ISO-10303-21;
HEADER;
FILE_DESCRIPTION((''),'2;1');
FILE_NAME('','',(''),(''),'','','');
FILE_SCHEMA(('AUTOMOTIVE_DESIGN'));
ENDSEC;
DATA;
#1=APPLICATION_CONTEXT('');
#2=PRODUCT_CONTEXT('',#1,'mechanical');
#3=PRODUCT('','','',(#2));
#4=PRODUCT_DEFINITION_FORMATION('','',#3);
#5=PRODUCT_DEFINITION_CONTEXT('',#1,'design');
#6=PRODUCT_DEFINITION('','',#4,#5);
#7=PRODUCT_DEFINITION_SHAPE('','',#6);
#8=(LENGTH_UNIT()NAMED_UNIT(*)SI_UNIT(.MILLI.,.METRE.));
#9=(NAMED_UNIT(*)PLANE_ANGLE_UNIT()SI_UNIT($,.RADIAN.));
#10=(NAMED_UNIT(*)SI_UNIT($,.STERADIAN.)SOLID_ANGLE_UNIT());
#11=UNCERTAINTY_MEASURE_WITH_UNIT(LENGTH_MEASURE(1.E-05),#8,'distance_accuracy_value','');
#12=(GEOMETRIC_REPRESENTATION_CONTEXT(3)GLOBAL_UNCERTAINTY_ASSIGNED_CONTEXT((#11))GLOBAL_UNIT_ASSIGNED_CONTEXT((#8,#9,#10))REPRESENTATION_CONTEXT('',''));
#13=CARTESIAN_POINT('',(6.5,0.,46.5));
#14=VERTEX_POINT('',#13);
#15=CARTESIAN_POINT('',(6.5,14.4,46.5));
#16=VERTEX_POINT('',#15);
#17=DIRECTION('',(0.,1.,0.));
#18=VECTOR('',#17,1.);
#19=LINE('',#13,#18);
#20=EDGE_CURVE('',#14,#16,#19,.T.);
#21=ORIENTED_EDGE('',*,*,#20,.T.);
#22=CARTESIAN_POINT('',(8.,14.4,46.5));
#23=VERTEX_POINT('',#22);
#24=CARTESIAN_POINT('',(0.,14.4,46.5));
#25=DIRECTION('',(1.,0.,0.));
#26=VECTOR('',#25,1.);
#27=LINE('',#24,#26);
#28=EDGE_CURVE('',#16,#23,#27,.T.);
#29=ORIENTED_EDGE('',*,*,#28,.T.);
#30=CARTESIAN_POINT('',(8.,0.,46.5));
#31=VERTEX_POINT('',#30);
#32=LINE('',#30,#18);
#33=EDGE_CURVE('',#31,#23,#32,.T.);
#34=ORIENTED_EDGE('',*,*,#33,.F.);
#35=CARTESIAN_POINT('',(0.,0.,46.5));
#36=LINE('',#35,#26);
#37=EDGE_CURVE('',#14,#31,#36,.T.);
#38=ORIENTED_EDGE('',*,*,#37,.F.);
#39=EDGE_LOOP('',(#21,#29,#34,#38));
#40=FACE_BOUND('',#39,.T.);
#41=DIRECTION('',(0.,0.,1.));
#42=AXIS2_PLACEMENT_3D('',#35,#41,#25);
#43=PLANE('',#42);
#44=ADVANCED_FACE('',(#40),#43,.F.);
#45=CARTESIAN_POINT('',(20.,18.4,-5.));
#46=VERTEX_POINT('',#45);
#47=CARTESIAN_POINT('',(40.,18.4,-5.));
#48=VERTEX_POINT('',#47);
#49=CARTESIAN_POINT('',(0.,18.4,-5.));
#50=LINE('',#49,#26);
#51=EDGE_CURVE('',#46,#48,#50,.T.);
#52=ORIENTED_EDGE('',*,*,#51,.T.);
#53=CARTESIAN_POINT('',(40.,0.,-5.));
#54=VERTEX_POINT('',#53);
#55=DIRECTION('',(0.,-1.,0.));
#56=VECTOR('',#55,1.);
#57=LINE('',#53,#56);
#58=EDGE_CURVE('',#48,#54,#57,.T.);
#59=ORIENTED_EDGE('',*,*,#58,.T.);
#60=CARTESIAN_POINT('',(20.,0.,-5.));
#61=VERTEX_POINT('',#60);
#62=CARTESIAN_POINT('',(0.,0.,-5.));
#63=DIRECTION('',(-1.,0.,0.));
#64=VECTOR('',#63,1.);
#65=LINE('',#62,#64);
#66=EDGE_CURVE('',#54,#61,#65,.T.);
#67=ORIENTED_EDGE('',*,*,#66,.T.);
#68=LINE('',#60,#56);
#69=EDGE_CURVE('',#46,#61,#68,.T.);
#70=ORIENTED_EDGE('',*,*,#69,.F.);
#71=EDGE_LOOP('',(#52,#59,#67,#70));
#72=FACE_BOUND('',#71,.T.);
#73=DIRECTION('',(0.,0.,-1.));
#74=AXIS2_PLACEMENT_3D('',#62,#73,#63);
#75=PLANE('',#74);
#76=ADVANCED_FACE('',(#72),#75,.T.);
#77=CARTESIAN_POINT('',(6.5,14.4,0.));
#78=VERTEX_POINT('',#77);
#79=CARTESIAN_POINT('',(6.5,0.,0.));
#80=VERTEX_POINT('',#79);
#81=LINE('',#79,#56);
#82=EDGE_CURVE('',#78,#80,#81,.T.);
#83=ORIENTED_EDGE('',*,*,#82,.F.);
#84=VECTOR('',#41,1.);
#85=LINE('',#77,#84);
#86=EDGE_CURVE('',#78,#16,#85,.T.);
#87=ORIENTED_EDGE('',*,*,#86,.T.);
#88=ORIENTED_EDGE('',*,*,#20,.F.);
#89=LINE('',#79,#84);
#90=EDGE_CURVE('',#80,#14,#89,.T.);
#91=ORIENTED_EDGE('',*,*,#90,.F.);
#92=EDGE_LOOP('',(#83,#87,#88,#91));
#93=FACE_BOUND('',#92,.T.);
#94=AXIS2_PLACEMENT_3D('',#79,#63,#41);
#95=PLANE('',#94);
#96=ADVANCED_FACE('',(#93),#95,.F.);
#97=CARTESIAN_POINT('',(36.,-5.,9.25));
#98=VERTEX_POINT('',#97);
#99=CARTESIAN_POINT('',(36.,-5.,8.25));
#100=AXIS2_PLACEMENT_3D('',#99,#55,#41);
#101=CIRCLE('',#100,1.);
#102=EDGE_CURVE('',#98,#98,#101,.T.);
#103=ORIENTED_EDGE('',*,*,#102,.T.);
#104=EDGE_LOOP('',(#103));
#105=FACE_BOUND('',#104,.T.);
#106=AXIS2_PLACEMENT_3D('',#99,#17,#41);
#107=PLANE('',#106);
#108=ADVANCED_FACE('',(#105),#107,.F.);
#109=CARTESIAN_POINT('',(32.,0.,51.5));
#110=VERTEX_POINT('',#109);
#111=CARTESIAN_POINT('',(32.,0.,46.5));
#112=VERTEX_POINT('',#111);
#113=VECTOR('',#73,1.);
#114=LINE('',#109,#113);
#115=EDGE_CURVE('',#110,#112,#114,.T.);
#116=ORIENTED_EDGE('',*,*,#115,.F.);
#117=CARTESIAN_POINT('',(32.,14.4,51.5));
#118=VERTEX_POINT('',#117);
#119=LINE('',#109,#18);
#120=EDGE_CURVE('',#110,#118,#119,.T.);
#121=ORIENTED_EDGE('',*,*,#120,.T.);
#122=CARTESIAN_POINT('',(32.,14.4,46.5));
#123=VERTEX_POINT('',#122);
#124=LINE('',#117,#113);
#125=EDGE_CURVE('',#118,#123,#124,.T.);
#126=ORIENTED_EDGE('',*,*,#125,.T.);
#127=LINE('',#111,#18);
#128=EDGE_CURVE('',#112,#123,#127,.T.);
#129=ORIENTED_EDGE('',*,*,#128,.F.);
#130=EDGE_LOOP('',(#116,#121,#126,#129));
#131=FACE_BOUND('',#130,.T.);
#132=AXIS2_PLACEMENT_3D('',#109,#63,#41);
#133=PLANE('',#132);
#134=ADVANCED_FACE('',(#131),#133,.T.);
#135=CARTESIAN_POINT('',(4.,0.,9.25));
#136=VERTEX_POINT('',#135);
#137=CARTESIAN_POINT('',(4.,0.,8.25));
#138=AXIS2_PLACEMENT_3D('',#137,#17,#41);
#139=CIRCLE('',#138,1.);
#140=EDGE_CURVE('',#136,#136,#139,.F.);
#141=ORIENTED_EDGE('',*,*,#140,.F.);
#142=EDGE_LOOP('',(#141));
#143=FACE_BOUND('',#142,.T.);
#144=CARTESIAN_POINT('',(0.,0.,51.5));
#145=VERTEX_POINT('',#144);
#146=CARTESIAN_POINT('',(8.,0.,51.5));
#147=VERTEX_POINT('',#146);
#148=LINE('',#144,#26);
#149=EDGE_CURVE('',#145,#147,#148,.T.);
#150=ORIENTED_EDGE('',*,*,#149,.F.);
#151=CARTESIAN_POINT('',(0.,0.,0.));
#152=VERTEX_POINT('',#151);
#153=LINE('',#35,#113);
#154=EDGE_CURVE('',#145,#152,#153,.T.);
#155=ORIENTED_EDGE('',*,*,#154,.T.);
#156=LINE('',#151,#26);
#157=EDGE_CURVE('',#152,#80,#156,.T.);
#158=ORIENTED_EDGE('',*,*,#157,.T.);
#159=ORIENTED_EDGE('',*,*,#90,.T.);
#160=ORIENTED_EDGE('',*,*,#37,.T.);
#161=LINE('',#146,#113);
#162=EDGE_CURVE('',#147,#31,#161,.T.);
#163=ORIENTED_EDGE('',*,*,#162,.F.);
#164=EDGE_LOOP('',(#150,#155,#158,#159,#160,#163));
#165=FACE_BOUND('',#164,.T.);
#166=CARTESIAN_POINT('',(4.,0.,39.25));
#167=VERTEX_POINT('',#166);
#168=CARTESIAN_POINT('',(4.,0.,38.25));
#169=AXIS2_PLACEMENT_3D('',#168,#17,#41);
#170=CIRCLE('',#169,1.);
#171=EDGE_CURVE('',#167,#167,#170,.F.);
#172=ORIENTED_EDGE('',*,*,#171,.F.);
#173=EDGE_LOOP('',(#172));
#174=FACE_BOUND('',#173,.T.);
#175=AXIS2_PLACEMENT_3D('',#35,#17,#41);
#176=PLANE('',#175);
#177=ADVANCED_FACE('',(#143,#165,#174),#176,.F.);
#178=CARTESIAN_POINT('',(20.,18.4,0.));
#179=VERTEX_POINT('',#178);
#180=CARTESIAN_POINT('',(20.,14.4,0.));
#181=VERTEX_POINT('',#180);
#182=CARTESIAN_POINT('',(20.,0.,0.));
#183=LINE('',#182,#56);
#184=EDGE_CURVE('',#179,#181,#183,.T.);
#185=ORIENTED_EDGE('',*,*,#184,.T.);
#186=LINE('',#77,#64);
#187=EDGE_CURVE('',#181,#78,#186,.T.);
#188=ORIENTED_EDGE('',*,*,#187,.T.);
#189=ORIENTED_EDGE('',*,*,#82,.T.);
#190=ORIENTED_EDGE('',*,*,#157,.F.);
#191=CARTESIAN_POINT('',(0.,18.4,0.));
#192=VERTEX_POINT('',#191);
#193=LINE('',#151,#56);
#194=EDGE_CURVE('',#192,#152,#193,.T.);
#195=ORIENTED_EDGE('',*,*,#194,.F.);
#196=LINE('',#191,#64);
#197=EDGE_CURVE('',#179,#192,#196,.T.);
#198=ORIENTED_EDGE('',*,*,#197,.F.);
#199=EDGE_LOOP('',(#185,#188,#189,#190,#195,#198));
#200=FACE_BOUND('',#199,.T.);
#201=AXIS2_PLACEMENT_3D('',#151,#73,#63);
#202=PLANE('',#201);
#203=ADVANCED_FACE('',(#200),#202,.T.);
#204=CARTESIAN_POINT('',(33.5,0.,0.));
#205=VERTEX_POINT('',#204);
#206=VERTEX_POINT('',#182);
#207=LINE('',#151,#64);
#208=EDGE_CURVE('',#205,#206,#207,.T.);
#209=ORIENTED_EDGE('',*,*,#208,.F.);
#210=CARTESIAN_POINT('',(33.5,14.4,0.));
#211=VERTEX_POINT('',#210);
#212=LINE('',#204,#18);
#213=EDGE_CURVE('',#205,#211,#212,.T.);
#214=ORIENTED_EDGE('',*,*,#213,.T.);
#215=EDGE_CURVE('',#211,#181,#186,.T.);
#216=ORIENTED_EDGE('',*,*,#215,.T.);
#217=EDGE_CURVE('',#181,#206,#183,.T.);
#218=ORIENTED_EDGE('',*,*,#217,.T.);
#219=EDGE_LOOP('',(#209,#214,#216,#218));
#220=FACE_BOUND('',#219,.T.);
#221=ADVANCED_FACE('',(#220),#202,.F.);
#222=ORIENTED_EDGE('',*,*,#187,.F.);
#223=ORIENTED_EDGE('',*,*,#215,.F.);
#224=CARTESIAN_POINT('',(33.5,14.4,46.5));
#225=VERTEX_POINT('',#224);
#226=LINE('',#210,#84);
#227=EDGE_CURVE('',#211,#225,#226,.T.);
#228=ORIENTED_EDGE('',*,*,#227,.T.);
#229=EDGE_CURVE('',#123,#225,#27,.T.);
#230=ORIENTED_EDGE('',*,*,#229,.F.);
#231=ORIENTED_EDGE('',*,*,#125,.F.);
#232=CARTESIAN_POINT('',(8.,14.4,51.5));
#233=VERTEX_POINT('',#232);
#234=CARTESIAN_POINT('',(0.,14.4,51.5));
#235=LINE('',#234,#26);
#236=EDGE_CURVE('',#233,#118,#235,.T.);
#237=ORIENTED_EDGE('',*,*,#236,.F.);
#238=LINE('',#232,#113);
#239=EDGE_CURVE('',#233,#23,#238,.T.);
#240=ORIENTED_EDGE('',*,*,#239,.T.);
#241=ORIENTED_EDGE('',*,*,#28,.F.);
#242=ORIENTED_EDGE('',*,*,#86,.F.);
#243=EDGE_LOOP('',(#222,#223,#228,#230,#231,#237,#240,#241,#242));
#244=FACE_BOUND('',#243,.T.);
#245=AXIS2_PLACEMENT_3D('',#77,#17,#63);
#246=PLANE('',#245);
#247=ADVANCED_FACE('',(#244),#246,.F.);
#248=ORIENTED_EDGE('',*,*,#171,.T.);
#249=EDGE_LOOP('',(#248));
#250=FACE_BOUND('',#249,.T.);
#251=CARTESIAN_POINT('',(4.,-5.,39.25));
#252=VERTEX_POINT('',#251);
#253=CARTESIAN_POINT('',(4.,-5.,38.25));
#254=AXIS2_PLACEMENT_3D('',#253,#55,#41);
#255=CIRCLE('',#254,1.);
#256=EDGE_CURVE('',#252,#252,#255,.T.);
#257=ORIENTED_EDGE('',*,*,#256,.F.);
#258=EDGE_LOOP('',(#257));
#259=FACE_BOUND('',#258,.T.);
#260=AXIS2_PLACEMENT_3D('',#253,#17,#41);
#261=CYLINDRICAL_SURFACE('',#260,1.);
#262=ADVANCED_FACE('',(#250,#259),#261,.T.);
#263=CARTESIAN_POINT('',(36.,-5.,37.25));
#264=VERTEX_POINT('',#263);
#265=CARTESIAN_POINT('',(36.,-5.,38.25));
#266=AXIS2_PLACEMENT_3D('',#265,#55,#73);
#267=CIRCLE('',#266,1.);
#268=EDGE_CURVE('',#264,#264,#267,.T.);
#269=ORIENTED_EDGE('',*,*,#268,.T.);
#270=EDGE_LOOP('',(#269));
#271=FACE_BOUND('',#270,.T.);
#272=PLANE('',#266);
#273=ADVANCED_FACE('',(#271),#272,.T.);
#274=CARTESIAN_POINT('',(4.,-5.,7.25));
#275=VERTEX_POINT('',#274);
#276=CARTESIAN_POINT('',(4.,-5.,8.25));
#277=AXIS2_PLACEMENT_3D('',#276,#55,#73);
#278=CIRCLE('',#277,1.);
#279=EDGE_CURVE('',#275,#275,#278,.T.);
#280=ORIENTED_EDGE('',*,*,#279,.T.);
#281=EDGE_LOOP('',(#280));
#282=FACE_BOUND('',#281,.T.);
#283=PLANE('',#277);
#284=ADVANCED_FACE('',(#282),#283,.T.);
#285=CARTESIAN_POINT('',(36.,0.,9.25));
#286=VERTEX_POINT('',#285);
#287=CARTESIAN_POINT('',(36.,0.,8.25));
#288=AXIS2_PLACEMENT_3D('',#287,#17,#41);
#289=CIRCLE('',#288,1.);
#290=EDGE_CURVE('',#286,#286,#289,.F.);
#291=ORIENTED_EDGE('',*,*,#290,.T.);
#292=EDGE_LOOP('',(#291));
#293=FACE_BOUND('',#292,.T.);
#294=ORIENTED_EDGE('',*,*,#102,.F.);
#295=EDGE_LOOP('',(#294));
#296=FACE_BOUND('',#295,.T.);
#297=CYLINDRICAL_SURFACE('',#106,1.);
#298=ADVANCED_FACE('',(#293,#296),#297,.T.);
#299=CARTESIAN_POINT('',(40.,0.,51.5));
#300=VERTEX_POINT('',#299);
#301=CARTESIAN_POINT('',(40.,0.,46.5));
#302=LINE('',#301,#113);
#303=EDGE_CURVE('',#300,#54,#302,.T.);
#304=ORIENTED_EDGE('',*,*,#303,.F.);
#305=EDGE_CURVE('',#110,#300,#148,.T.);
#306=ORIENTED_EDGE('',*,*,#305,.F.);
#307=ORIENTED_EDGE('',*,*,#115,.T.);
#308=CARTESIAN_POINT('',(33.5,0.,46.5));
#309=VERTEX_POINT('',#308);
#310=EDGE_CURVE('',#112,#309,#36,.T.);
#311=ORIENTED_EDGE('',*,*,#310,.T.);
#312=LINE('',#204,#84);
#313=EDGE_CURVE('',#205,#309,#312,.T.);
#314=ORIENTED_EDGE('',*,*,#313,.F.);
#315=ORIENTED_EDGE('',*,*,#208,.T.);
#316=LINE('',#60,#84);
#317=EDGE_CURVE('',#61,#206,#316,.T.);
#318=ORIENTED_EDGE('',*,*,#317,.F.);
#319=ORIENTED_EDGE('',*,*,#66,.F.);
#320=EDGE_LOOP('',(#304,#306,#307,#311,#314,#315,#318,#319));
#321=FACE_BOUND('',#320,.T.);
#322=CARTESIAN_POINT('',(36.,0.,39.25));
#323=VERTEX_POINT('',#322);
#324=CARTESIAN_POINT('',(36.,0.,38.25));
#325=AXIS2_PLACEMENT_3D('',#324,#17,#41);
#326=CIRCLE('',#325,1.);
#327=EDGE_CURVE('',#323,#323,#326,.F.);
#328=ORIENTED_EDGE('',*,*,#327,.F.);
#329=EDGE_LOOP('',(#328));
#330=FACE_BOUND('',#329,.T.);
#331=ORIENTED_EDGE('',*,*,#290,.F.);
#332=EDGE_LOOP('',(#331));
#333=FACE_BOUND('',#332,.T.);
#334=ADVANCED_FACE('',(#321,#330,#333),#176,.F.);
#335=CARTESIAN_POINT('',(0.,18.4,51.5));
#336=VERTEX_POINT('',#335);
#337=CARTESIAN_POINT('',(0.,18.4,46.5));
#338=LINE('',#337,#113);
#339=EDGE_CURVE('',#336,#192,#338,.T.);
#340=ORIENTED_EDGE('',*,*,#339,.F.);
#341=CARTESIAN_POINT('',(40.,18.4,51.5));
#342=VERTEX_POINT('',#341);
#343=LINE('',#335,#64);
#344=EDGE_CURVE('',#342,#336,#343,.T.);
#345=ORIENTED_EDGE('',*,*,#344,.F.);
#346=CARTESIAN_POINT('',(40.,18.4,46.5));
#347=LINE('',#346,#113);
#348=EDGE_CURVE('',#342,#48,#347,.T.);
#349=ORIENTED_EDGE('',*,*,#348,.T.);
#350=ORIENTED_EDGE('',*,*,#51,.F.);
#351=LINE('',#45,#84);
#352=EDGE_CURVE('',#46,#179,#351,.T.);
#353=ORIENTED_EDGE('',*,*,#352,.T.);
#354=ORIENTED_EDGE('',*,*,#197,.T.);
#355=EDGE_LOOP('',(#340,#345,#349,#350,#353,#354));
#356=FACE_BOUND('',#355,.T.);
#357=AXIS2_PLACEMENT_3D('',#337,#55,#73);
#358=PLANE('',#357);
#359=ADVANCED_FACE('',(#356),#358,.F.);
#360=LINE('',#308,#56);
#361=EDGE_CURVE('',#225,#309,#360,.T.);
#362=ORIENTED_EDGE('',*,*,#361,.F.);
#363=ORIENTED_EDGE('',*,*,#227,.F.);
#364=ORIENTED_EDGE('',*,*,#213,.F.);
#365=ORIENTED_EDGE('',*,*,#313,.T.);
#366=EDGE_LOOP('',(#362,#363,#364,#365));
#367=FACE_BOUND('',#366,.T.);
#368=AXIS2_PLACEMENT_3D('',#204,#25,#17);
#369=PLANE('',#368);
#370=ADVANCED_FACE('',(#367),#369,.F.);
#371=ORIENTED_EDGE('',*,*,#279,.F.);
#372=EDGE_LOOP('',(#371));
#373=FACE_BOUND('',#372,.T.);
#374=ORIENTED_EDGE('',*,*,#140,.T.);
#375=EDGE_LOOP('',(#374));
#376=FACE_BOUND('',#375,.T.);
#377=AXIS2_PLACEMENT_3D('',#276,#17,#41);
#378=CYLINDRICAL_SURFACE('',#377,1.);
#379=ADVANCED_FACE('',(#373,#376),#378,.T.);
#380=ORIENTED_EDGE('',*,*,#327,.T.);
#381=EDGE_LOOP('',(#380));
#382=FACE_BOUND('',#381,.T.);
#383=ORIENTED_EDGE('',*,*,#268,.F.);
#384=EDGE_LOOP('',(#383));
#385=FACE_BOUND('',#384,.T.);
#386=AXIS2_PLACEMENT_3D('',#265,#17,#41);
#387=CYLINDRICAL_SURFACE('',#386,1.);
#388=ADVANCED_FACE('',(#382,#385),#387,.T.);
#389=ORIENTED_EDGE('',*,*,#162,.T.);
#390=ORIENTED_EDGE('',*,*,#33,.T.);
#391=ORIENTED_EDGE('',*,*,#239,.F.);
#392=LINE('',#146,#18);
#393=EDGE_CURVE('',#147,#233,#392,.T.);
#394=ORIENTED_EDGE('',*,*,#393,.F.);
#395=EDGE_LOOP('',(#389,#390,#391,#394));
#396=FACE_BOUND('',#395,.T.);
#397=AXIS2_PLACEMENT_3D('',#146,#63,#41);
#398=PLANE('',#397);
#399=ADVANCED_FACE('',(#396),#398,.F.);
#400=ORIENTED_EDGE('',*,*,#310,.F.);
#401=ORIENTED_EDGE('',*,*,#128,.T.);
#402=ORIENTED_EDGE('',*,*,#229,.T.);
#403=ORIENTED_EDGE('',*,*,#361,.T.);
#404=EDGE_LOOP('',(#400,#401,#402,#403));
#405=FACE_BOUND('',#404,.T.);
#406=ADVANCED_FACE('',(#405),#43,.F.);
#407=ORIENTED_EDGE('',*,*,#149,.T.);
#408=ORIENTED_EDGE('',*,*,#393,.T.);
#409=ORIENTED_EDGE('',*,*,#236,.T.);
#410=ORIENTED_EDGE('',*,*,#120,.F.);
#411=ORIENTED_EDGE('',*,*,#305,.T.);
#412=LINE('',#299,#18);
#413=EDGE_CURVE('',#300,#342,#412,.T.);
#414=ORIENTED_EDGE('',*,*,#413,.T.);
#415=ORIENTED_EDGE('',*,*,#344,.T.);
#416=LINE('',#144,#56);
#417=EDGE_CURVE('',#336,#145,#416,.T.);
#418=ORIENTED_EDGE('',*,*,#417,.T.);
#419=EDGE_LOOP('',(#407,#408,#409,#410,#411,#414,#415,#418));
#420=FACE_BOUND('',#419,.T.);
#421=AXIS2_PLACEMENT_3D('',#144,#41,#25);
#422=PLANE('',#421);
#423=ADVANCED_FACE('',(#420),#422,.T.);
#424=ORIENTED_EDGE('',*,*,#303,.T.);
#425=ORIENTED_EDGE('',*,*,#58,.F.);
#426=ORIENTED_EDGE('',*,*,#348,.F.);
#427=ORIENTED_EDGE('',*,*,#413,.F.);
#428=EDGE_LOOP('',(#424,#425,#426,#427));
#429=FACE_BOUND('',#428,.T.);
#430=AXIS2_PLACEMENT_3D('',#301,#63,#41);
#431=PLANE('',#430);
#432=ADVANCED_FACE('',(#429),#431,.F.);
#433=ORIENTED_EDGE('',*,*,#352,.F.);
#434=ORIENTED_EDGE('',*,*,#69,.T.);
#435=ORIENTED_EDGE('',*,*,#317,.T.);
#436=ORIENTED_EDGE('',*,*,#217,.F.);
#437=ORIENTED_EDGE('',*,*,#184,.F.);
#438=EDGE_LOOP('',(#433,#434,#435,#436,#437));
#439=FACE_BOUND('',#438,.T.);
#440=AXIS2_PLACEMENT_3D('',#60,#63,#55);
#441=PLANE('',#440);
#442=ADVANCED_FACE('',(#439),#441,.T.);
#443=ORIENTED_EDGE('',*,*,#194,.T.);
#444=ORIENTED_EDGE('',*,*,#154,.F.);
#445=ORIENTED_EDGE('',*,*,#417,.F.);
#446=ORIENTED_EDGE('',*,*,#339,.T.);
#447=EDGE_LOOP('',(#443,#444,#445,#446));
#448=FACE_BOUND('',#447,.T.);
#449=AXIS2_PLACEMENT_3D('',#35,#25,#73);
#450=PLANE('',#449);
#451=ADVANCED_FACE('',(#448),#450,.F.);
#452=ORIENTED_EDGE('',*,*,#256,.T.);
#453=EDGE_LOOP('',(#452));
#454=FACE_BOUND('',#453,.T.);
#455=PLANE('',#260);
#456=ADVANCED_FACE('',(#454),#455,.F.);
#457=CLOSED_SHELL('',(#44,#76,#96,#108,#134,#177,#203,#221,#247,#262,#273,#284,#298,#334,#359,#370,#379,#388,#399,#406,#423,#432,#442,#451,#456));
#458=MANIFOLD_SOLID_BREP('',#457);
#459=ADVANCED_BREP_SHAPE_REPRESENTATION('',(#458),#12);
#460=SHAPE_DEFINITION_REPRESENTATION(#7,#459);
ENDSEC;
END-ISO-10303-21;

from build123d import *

# Parameters (mm, degrees)
SKETCH_1_W               = 40
SKETCH_1_H               = 18.4
EXTRUDE_1_DEPTH          = 46.5
CUT_EXTRUDE_1_DEPTH      = 65.037567099
CUT_EXTRUDE_1_DEPTH_BACK = 65.037567099
SKETCH_2_W               = 27
SKETCH_2_H               = 14.4
SKETCH_3_W               = 1.5
SKETCH_3_H               = 14.4
EXTRUDE_2_DEPTH          = 5
SKETCH_4_W               = 13.5
SKETCH_4_H               = 14.4
EXTRUDE_3_DEPTH          = 5
SKETCH_6_R               = 1
EXTRUDE_4_DEPTH          = 5


with BuildPart() as part:
    # 스케치1 → 보스-돌출1 (new body)
    with BuildSketch(Plane.XY):
        with Locations((20, 9.2)):
            Rectangle(SKETCH_1_W, SKETCH_1_H)
    extrude(amount=EXTRUDE_1_DEPTH)

    # 스케치2 → 컷-돌출1 (cut, two sides: drawn at the far end of the back side and taken through both)
    with BuildSketch(Plane.XY.offset(46.5).offset(-CUT_EXTRUDE_1_DEPTH_BACK)):
        with Locations((20, 7.2)):
            Rectangle(SKETCH_2_W, SKETCH_2_H)
    extrude(amount=CUT_EXTRUDE_1_DEPTH + CUT_EXTRUDE_1_DEPTH_BACK, mode=Mode.SUBTRACT)

    # 스케치3 → 보스-돌출2 (add)
    with BuildSketch(Plane.XY.offset(46.5)):
        Polygon((0, 18.4), (0, 0), (6.5, 0), (6.5, 14.4), (33.5, 14.4), (33.5, 0), (40, 0), (40, 18.4), align=None)
        with Locations((7.25, 7.2)):
            Rectangle(SKETCH_3_W, SKETCH_3_H)
        with Locations((32.75, 7.2)):
            Rectangle(SKETCH_3_W, SKETCH_3_H)
    extrude(amount=EXTRUDE_2_DEPTH)

    # 스케치4 → 보스-돌출3 (add)
    with BuildSketch(Plane(origin=(0, 0, 0), x_dir=(-1, 0, 0), z_dir=(0, 0, -1))):
        Polygon((-20, 14.4), (-20, 18.4), (-40, 18.4), (-40, 0), (-33.5, 0), (-33.5, 14.4), align=None)
        with Locations((-26.75, 7.2)):
            Rectangle(SKETCH_4_W, SKETCH_4_H)
    extrude(amount=EXTRUDE_3_DEPTH)

    # 스케치6 → 보스-돌출4 (add)
    with BuildSketch(Plane.XZ):
        with Locations(Location((36, 38.25, 0), (0, 0, 90))):
            Circle(SKETCH_6_R)
        with Locations(Location((4, 38.25, 0), (0, 0, 90))):
            Circle(SKETCH_6_R)
        with Locations(Location((4, 8.25, 0), (0, 0, 90))):
            Circle(SKETCH_6_R)
        with Locations(Location((36, 8.25, 0), (0, 0, 90))):
            Circle(SKETCH_6_R)
    extrude(amount=EXTRUDE_4_DEPTH)


solid = part.part
